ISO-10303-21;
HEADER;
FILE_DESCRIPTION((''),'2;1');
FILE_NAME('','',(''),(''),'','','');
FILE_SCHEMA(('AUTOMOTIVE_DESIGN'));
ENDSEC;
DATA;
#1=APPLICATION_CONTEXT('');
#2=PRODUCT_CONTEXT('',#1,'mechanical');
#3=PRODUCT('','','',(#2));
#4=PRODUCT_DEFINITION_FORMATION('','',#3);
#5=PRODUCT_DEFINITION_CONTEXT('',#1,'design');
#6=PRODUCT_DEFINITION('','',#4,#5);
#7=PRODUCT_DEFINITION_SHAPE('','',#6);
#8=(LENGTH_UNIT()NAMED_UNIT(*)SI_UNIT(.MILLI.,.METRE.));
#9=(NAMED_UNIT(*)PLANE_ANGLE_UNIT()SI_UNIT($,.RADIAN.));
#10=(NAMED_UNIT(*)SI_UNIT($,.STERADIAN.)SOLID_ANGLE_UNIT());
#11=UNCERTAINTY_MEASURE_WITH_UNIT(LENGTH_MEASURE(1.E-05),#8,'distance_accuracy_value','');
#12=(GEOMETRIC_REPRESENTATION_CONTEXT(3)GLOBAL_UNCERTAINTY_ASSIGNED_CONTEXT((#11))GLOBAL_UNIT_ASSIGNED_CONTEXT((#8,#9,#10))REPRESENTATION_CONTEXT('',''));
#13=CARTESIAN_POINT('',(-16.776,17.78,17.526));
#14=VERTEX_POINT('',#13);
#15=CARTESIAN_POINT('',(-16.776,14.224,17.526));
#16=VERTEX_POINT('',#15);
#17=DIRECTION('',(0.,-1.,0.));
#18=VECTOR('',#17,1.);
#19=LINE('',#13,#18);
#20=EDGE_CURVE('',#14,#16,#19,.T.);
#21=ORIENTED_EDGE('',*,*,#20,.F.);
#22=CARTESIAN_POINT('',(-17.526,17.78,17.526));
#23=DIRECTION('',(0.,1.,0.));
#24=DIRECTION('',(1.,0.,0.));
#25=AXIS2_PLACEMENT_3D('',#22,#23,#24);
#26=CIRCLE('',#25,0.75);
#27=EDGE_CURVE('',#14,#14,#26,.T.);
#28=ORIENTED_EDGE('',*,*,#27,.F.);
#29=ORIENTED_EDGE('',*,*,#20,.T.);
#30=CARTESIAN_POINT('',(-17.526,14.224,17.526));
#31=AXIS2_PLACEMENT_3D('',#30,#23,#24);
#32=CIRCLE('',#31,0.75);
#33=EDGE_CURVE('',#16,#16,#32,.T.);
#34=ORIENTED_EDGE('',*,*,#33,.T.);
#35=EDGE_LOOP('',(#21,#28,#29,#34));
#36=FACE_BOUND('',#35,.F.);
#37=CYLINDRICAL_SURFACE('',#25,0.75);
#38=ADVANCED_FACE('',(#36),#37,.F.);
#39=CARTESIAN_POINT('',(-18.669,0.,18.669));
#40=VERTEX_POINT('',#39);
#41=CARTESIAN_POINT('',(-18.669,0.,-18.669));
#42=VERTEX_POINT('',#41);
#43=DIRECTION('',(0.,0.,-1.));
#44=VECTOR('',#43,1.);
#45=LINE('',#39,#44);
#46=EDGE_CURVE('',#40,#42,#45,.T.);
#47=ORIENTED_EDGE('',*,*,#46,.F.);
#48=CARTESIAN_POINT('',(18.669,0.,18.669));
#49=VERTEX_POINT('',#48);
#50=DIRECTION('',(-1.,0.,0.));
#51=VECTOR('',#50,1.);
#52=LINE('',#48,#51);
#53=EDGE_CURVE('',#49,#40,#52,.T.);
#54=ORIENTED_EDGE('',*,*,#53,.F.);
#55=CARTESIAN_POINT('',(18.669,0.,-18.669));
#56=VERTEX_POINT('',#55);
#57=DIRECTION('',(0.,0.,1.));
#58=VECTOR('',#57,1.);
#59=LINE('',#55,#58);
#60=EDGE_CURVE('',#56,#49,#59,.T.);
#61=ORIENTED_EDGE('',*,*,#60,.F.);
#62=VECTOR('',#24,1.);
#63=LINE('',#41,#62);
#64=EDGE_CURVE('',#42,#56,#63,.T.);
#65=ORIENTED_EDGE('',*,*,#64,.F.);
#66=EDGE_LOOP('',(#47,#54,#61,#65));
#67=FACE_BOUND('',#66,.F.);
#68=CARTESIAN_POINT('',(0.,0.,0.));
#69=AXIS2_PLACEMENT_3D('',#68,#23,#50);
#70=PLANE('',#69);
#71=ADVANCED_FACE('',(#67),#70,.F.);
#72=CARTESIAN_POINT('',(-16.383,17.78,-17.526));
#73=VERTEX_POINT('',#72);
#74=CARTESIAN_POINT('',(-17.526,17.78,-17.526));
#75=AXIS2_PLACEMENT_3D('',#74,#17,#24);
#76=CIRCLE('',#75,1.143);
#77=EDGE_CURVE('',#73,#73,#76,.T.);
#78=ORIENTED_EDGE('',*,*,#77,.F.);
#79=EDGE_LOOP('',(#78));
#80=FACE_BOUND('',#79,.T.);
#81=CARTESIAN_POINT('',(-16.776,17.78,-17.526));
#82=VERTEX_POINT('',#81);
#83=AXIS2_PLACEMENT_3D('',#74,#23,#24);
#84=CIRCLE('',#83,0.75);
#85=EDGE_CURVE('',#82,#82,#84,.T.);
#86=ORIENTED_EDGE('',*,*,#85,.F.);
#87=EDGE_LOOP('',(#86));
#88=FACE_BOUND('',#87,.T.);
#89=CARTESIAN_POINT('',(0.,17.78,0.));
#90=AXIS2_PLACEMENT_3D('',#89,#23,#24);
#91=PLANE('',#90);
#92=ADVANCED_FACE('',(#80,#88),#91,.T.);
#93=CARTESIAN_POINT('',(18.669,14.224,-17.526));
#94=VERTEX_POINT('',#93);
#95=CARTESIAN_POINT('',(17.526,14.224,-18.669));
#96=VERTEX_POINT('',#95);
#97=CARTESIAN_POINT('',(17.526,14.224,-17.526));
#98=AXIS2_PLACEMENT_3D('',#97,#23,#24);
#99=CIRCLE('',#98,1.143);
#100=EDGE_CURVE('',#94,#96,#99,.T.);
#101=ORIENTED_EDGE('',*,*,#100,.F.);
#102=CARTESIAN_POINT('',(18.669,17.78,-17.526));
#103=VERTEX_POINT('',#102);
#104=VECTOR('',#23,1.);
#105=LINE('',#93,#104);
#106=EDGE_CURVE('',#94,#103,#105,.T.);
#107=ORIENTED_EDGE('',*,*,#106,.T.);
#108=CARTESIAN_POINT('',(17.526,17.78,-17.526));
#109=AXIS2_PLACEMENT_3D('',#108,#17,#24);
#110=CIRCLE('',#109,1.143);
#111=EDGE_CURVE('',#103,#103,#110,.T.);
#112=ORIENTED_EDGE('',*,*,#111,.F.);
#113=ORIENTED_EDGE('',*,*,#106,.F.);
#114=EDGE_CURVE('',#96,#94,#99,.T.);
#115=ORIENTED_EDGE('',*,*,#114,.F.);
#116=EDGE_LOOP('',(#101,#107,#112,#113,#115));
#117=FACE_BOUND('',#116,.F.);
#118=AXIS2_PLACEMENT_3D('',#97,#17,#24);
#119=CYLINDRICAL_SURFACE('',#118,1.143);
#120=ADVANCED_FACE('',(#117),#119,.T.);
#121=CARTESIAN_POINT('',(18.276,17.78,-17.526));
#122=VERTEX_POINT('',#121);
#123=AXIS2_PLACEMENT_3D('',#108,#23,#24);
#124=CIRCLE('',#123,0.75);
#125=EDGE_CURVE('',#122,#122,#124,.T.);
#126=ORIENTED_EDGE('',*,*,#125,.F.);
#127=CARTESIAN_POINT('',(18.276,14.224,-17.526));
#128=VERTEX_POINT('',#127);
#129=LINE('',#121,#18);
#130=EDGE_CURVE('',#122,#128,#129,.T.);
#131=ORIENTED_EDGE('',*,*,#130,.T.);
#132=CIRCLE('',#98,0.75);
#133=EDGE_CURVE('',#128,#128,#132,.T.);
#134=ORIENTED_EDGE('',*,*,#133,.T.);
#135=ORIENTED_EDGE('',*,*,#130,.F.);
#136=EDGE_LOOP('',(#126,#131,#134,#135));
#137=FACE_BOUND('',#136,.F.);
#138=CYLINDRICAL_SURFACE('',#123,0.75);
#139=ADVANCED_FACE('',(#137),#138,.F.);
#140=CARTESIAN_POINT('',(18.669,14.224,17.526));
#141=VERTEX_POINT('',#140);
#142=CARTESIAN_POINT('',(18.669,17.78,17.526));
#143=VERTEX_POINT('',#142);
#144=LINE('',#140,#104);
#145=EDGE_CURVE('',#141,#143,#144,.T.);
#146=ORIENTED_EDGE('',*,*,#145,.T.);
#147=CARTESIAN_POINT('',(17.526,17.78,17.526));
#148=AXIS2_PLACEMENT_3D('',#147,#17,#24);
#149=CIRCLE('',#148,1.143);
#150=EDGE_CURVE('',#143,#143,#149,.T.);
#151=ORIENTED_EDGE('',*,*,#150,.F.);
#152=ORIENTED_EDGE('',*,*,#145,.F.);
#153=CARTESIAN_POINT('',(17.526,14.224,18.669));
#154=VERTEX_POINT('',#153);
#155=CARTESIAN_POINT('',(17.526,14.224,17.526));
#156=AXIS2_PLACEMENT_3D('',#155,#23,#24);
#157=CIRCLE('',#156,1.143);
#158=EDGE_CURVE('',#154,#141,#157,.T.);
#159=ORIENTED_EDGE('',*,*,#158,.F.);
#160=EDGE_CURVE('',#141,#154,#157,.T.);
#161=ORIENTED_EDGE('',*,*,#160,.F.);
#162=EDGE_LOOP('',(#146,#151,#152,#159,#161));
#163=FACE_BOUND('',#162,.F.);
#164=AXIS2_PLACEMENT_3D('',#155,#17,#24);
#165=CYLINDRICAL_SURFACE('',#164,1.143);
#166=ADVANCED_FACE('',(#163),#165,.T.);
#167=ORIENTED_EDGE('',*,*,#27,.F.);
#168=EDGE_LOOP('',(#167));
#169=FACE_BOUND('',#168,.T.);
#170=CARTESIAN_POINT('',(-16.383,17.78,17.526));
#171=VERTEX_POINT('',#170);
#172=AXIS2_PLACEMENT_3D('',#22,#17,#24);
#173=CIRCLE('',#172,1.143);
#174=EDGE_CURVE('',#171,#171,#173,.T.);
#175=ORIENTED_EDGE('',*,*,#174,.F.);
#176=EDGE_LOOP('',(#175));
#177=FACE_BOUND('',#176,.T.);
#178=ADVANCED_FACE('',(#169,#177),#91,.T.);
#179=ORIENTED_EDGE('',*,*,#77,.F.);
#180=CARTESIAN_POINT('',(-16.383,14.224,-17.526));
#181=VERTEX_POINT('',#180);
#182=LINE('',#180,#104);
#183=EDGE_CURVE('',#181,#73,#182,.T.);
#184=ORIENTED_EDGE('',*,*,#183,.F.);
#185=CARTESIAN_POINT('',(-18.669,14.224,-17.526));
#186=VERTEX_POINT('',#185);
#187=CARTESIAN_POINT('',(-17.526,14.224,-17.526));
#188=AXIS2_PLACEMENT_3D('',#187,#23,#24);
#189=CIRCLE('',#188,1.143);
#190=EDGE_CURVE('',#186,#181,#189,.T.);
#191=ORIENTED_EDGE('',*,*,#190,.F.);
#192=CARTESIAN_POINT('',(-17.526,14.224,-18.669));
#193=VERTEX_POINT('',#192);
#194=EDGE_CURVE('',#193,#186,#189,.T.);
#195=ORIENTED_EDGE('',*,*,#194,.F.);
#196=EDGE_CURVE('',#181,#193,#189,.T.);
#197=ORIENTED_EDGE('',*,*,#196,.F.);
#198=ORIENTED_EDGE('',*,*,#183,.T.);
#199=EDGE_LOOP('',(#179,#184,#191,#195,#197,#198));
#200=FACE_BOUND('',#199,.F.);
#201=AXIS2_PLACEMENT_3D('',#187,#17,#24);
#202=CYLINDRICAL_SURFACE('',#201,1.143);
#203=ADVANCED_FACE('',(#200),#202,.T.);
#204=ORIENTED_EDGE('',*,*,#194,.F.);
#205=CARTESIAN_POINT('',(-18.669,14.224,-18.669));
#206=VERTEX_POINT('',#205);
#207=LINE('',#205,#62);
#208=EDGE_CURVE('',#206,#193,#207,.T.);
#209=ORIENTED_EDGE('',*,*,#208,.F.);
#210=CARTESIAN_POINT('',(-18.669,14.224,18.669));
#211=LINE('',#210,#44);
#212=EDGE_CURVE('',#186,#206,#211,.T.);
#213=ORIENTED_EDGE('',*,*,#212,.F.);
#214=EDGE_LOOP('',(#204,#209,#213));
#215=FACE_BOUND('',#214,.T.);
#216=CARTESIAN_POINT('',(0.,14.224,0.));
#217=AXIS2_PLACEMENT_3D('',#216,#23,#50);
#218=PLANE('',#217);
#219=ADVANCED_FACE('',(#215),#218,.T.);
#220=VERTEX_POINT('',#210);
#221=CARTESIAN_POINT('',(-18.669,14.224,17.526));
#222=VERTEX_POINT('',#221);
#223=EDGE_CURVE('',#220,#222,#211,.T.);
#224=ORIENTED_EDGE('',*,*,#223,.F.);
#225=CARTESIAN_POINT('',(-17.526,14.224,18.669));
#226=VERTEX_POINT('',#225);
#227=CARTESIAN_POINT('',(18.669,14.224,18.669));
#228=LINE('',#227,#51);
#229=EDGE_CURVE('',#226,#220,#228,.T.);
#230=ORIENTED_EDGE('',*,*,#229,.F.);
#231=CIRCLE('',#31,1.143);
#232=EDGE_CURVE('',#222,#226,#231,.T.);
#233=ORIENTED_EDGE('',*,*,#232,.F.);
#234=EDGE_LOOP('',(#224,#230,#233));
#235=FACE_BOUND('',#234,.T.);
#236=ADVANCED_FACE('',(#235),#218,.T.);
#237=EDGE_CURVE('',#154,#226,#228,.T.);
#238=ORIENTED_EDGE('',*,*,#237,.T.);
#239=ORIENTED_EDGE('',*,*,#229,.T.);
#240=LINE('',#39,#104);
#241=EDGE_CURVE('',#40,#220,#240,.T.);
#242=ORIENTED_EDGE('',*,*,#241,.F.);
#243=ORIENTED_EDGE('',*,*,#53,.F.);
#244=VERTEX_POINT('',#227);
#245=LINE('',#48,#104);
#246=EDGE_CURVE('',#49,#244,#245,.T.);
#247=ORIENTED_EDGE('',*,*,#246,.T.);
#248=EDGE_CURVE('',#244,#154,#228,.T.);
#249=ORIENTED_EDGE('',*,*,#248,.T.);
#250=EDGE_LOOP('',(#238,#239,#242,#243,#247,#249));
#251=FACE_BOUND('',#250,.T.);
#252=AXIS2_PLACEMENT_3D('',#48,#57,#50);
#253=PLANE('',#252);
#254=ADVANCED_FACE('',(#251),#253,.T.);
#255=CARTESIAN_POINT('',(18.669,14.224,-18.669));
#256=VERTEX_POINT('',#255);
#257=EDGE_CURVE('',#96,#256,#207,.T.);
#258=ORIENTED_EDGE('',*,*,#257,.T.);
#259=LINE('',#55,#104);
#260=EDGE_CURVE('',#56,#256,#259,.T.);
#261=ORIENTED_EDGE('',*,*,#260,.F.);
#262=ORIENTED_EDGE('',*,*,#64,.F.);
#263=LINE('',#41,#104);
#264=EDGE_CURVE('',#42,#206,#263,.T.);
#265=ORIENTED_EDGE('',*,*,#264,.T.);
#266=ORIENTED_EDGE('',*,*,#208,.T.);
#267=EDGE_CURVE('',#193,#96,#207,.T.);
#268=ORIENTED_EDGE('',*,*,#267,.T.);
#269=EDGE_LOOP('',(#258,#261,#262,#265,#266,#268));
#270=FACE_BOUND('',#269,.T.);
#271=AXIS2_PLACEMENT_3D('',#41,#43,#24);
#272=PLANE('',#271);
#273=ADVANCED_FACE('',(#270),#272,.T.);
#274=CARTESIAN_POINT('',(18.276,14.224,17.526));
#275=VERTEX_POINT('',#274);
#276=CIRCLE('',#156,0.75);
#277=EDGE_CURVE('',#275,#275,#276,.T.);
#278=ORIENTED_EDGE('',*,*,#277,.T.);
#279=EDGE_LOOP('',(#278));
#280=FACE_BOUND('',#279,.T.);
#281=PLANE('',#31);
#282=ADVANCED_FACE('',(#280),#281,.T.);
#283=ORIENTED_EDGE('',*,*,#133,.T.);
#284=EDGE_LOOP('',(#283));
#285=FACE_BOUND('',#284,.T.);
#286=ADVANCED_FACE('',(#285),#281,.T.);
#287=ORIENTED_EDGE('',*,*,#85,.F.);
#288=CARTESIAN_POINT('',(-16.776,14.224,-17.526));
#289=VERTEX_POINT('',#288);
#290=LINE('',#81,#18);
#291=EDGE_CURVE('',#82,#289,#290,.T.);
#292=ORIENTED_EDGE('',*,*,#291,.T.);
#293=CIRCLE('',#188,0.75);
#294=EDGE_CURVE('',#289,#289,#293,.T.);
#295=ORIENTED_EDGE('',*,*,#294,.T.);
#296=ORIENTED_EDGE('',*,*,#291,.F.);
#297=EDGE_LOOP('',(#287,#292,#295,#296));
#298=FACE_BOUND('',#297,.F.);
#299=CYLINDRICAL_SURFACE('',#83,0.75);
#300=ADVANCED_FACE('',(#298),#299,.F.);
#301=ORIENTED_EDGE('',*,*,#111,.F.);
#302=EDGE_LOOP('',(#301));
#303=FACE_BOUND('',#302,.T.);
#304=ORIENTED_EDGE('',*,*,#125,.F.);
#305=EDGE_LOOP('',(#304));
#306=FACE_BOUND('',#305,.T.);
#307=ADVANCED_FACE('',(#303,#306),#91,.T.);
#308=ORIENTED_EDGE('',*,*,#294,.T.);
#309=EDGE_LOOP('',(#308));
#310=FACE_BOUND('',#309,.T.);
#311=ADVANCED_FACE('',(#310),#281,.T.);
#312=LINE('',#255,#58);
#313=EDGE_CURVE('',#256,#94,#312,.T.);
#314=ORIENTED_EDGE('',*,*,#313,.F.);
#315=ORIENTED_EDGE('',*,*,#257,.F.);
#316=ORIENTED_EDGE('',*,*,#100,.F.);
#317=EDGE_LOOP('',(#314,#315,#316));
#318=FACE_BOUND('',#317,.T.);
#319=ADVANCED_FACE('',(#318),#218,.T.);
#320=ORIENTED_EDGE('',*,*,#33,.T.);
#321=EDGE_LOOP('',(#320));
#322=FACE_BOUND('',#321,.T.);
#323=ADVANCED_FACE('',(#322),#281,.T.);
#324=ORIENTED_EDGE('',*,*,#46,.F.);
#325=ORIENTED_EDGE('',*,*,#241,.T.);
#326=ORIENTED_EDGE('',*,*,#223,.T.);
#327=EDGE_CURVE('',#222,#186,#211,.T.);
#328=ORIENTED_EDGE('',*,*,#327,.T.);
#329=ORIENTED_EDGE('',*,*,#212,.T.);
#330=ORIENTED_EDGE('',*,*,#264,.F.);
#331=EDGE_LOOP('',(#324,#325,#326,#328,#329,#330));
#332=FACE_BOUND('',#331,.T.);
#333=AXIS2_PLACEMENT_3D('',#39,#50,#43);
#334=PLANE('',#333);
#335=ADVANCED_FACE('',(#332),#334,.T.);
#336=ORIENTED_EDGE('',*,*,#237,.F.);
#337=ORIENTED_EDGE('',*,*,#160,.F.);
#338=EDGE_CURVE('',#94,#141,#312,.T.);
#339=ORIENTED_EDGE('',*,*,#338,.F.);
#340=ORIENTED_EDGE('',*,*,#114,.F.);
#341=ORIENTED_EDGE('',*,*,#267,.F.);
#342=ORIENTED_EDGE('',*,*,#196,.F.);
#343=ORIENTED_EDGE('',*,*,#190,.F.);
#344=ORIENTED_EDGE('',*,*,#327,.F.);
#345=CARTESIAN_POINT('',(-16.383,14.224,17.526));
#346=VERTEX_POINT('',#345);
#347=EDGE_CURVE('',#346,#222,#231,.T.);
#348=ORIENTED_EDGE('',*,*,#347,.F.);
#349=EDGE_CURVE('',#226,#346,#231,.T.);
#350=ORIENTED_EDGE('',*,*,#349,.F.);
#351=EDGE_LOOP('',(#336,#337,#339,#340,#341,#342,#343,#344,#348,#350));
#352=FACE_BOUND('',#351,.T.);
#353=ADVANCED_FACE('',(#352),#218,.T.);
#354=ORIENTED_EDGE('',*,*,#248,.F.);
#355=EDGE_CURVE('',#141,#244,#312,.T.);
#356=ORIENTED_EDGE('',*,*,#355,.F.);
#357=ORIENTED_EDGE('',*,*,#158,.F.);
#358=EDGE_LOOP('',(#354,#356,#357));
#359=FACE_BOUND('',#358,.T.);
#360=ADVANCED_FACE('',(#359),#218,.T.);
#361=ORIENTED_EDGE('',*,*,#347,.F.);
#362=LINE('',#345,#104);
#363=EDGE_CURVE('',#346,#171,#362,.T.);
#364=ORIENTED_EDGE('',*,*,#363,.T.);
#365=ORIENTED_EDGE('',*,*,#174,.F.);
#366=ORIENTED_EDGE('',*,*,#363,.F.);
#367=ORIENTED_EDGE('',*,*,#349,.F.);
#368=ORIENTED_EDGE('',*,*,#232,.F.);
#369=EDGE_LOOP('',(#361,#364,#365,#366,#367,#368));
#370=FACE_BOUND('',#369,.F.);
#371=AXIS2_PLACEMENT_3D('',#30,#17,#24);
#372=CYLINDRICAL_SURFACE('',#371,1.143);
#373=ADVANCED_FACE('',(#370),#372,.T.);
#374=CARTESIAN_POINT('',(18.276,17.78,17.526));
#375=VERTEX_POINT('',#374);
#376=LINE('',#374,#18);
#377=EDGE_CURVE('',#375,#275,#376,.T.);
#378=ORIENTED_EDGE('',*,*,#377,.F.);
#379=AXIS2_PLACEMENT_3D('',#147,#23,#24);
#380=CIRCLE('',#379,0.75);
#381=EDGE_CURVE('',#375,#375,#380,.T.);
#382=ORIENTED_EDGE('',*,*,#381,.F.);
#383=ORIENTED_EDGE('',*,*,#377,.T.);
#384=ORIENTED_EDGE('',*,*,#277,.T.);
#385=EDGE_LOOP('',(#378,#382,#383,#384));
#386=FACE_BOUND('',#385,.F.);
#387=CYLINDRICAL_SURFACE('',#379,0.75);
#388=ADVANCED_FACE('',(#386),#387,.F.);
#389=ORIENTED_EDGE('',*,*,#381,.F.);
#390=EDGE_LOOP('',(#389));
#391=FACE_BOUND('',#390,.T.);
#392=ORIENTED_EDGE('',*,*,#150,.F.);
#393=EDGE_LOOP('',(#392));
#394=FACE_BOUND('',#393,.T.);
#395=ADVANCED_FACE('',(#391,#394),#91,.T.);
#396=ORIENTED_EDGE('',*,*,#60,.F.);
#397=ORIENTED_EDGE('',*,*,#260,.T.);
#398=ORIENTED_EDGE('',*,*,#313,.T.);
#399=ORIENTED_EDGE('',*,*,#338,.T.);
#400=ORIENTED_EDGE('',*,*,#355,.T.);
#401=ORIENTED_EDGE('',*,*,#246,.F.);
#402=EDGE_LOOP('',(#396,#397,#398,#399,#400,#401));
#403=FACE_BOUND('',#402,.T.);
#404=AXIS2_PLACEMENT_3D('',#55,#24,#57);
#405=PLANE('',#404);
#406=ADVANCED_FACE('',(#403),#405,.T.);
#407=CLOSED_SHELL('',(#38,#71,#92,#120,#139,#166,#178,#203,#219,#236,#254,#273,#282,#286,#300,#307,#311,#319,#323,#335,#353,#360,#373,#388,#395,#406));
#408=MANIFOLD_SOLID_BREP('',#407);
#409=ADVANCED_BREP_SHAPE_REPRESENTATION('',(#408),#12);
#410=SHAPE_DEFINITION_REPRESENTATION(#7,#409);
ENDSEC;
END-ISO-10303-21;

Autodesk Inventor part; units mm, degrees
ref_plane "YZ Plane" through (0, 0, 0) normal (1, 0, 0) x (0, 1, 0)
ref_plane "XZ Plane" through (0, 0, 0) normal (0, 1, 0) x (-1, 0, 0)
ref_plane "XY Plane" through (0, 0, 0) normal (0, 0, 1) x (1, 0, 0)
sketch "Sketch1" plane through (0, 0, 0) normal (0, 1, 0) x (-1, 0, 0)
  line L0 (-18.669, 18.669) -> (18.669, 18.669)
  line L1 (18.669, 18.669) -> (18.669, -18.669)
  line L2 (18.669, -18.669) -> (-18.669, -18.669)
  line L3 (-18.669, -18.669) -> (-18.669, 18.669)
  line L4 (-18.669, 18.669) -> (18.669, -18.669) construction
  line L5 (18.669, 18.669) -> (-18.669, -18.669) construction
  point P0 (0, 0)
  dimension "d0" = 37.338
extrude "Extrusion1" add sketch "Sketch1" along normal blind 14.224
sketch "Sketch2" plane through (18.669, 0, 18.669) normal (1, 0, 0) x (0, 0, -1)
  point P0 (18.669, 0)
sketch "Sketch3" plane through (0, 14.224, 0) normal (0, 1, 0) x (1, 0, 0)
  circle A0 centre (-17.526, -17.526) radius 1.143
  line L0 (-18.669, 18.669) -> (-18.669, -18.669) projected
  line L1 (-18.669, -18.669) -> (18.669, -18.669) projected
  circle A1 centre (-17.526, 17.526) radius 1.143
  circle A2 centre (17.526, 17.526) radius 1.143
  circle A3 centre (17.526, -17.526) radius 1.143
  line L2 (18.669, 18.669) -> (-18.669, 18.669) projected
  line L3 (18.669, -18.669) -> (18.669, 18.669) projected
  point P0 (0, 0)
  dimension "d3" = 2.286
  dimension "d4" = 2.286
  dimension "d5" = 2.286
  dimension "d6" = 2.286
extrude "Extrusion2" add sketch "Sketch3" along normal blind 3.556 contours A0 | A1 | A3 | A2
sketch "Sketch4" plane through (-17.526, 17.78, 17.526) normal (0, 1, 0) x (1, 0, 0)
  circle A0 centre (0, 0) radius 0.75
  circle A1 centre (35.052, 0) radius 0.75
  circle A2 centre (35.052, 35.052) radius 0.75
  circle A3 centre (0, 35.052) radius 0.75
  point P0 (17.526, 17.526)
  dimension "d9" = 1.5
  dimension "d10" = 1.5
  dimension "d11" = 1.5
  dimension "d12" = 1.5
extrude "Extrusion3" cut sketch "Sketch4" against normal blind 3.556
properties part number "Sensor_Release_Magnet"
